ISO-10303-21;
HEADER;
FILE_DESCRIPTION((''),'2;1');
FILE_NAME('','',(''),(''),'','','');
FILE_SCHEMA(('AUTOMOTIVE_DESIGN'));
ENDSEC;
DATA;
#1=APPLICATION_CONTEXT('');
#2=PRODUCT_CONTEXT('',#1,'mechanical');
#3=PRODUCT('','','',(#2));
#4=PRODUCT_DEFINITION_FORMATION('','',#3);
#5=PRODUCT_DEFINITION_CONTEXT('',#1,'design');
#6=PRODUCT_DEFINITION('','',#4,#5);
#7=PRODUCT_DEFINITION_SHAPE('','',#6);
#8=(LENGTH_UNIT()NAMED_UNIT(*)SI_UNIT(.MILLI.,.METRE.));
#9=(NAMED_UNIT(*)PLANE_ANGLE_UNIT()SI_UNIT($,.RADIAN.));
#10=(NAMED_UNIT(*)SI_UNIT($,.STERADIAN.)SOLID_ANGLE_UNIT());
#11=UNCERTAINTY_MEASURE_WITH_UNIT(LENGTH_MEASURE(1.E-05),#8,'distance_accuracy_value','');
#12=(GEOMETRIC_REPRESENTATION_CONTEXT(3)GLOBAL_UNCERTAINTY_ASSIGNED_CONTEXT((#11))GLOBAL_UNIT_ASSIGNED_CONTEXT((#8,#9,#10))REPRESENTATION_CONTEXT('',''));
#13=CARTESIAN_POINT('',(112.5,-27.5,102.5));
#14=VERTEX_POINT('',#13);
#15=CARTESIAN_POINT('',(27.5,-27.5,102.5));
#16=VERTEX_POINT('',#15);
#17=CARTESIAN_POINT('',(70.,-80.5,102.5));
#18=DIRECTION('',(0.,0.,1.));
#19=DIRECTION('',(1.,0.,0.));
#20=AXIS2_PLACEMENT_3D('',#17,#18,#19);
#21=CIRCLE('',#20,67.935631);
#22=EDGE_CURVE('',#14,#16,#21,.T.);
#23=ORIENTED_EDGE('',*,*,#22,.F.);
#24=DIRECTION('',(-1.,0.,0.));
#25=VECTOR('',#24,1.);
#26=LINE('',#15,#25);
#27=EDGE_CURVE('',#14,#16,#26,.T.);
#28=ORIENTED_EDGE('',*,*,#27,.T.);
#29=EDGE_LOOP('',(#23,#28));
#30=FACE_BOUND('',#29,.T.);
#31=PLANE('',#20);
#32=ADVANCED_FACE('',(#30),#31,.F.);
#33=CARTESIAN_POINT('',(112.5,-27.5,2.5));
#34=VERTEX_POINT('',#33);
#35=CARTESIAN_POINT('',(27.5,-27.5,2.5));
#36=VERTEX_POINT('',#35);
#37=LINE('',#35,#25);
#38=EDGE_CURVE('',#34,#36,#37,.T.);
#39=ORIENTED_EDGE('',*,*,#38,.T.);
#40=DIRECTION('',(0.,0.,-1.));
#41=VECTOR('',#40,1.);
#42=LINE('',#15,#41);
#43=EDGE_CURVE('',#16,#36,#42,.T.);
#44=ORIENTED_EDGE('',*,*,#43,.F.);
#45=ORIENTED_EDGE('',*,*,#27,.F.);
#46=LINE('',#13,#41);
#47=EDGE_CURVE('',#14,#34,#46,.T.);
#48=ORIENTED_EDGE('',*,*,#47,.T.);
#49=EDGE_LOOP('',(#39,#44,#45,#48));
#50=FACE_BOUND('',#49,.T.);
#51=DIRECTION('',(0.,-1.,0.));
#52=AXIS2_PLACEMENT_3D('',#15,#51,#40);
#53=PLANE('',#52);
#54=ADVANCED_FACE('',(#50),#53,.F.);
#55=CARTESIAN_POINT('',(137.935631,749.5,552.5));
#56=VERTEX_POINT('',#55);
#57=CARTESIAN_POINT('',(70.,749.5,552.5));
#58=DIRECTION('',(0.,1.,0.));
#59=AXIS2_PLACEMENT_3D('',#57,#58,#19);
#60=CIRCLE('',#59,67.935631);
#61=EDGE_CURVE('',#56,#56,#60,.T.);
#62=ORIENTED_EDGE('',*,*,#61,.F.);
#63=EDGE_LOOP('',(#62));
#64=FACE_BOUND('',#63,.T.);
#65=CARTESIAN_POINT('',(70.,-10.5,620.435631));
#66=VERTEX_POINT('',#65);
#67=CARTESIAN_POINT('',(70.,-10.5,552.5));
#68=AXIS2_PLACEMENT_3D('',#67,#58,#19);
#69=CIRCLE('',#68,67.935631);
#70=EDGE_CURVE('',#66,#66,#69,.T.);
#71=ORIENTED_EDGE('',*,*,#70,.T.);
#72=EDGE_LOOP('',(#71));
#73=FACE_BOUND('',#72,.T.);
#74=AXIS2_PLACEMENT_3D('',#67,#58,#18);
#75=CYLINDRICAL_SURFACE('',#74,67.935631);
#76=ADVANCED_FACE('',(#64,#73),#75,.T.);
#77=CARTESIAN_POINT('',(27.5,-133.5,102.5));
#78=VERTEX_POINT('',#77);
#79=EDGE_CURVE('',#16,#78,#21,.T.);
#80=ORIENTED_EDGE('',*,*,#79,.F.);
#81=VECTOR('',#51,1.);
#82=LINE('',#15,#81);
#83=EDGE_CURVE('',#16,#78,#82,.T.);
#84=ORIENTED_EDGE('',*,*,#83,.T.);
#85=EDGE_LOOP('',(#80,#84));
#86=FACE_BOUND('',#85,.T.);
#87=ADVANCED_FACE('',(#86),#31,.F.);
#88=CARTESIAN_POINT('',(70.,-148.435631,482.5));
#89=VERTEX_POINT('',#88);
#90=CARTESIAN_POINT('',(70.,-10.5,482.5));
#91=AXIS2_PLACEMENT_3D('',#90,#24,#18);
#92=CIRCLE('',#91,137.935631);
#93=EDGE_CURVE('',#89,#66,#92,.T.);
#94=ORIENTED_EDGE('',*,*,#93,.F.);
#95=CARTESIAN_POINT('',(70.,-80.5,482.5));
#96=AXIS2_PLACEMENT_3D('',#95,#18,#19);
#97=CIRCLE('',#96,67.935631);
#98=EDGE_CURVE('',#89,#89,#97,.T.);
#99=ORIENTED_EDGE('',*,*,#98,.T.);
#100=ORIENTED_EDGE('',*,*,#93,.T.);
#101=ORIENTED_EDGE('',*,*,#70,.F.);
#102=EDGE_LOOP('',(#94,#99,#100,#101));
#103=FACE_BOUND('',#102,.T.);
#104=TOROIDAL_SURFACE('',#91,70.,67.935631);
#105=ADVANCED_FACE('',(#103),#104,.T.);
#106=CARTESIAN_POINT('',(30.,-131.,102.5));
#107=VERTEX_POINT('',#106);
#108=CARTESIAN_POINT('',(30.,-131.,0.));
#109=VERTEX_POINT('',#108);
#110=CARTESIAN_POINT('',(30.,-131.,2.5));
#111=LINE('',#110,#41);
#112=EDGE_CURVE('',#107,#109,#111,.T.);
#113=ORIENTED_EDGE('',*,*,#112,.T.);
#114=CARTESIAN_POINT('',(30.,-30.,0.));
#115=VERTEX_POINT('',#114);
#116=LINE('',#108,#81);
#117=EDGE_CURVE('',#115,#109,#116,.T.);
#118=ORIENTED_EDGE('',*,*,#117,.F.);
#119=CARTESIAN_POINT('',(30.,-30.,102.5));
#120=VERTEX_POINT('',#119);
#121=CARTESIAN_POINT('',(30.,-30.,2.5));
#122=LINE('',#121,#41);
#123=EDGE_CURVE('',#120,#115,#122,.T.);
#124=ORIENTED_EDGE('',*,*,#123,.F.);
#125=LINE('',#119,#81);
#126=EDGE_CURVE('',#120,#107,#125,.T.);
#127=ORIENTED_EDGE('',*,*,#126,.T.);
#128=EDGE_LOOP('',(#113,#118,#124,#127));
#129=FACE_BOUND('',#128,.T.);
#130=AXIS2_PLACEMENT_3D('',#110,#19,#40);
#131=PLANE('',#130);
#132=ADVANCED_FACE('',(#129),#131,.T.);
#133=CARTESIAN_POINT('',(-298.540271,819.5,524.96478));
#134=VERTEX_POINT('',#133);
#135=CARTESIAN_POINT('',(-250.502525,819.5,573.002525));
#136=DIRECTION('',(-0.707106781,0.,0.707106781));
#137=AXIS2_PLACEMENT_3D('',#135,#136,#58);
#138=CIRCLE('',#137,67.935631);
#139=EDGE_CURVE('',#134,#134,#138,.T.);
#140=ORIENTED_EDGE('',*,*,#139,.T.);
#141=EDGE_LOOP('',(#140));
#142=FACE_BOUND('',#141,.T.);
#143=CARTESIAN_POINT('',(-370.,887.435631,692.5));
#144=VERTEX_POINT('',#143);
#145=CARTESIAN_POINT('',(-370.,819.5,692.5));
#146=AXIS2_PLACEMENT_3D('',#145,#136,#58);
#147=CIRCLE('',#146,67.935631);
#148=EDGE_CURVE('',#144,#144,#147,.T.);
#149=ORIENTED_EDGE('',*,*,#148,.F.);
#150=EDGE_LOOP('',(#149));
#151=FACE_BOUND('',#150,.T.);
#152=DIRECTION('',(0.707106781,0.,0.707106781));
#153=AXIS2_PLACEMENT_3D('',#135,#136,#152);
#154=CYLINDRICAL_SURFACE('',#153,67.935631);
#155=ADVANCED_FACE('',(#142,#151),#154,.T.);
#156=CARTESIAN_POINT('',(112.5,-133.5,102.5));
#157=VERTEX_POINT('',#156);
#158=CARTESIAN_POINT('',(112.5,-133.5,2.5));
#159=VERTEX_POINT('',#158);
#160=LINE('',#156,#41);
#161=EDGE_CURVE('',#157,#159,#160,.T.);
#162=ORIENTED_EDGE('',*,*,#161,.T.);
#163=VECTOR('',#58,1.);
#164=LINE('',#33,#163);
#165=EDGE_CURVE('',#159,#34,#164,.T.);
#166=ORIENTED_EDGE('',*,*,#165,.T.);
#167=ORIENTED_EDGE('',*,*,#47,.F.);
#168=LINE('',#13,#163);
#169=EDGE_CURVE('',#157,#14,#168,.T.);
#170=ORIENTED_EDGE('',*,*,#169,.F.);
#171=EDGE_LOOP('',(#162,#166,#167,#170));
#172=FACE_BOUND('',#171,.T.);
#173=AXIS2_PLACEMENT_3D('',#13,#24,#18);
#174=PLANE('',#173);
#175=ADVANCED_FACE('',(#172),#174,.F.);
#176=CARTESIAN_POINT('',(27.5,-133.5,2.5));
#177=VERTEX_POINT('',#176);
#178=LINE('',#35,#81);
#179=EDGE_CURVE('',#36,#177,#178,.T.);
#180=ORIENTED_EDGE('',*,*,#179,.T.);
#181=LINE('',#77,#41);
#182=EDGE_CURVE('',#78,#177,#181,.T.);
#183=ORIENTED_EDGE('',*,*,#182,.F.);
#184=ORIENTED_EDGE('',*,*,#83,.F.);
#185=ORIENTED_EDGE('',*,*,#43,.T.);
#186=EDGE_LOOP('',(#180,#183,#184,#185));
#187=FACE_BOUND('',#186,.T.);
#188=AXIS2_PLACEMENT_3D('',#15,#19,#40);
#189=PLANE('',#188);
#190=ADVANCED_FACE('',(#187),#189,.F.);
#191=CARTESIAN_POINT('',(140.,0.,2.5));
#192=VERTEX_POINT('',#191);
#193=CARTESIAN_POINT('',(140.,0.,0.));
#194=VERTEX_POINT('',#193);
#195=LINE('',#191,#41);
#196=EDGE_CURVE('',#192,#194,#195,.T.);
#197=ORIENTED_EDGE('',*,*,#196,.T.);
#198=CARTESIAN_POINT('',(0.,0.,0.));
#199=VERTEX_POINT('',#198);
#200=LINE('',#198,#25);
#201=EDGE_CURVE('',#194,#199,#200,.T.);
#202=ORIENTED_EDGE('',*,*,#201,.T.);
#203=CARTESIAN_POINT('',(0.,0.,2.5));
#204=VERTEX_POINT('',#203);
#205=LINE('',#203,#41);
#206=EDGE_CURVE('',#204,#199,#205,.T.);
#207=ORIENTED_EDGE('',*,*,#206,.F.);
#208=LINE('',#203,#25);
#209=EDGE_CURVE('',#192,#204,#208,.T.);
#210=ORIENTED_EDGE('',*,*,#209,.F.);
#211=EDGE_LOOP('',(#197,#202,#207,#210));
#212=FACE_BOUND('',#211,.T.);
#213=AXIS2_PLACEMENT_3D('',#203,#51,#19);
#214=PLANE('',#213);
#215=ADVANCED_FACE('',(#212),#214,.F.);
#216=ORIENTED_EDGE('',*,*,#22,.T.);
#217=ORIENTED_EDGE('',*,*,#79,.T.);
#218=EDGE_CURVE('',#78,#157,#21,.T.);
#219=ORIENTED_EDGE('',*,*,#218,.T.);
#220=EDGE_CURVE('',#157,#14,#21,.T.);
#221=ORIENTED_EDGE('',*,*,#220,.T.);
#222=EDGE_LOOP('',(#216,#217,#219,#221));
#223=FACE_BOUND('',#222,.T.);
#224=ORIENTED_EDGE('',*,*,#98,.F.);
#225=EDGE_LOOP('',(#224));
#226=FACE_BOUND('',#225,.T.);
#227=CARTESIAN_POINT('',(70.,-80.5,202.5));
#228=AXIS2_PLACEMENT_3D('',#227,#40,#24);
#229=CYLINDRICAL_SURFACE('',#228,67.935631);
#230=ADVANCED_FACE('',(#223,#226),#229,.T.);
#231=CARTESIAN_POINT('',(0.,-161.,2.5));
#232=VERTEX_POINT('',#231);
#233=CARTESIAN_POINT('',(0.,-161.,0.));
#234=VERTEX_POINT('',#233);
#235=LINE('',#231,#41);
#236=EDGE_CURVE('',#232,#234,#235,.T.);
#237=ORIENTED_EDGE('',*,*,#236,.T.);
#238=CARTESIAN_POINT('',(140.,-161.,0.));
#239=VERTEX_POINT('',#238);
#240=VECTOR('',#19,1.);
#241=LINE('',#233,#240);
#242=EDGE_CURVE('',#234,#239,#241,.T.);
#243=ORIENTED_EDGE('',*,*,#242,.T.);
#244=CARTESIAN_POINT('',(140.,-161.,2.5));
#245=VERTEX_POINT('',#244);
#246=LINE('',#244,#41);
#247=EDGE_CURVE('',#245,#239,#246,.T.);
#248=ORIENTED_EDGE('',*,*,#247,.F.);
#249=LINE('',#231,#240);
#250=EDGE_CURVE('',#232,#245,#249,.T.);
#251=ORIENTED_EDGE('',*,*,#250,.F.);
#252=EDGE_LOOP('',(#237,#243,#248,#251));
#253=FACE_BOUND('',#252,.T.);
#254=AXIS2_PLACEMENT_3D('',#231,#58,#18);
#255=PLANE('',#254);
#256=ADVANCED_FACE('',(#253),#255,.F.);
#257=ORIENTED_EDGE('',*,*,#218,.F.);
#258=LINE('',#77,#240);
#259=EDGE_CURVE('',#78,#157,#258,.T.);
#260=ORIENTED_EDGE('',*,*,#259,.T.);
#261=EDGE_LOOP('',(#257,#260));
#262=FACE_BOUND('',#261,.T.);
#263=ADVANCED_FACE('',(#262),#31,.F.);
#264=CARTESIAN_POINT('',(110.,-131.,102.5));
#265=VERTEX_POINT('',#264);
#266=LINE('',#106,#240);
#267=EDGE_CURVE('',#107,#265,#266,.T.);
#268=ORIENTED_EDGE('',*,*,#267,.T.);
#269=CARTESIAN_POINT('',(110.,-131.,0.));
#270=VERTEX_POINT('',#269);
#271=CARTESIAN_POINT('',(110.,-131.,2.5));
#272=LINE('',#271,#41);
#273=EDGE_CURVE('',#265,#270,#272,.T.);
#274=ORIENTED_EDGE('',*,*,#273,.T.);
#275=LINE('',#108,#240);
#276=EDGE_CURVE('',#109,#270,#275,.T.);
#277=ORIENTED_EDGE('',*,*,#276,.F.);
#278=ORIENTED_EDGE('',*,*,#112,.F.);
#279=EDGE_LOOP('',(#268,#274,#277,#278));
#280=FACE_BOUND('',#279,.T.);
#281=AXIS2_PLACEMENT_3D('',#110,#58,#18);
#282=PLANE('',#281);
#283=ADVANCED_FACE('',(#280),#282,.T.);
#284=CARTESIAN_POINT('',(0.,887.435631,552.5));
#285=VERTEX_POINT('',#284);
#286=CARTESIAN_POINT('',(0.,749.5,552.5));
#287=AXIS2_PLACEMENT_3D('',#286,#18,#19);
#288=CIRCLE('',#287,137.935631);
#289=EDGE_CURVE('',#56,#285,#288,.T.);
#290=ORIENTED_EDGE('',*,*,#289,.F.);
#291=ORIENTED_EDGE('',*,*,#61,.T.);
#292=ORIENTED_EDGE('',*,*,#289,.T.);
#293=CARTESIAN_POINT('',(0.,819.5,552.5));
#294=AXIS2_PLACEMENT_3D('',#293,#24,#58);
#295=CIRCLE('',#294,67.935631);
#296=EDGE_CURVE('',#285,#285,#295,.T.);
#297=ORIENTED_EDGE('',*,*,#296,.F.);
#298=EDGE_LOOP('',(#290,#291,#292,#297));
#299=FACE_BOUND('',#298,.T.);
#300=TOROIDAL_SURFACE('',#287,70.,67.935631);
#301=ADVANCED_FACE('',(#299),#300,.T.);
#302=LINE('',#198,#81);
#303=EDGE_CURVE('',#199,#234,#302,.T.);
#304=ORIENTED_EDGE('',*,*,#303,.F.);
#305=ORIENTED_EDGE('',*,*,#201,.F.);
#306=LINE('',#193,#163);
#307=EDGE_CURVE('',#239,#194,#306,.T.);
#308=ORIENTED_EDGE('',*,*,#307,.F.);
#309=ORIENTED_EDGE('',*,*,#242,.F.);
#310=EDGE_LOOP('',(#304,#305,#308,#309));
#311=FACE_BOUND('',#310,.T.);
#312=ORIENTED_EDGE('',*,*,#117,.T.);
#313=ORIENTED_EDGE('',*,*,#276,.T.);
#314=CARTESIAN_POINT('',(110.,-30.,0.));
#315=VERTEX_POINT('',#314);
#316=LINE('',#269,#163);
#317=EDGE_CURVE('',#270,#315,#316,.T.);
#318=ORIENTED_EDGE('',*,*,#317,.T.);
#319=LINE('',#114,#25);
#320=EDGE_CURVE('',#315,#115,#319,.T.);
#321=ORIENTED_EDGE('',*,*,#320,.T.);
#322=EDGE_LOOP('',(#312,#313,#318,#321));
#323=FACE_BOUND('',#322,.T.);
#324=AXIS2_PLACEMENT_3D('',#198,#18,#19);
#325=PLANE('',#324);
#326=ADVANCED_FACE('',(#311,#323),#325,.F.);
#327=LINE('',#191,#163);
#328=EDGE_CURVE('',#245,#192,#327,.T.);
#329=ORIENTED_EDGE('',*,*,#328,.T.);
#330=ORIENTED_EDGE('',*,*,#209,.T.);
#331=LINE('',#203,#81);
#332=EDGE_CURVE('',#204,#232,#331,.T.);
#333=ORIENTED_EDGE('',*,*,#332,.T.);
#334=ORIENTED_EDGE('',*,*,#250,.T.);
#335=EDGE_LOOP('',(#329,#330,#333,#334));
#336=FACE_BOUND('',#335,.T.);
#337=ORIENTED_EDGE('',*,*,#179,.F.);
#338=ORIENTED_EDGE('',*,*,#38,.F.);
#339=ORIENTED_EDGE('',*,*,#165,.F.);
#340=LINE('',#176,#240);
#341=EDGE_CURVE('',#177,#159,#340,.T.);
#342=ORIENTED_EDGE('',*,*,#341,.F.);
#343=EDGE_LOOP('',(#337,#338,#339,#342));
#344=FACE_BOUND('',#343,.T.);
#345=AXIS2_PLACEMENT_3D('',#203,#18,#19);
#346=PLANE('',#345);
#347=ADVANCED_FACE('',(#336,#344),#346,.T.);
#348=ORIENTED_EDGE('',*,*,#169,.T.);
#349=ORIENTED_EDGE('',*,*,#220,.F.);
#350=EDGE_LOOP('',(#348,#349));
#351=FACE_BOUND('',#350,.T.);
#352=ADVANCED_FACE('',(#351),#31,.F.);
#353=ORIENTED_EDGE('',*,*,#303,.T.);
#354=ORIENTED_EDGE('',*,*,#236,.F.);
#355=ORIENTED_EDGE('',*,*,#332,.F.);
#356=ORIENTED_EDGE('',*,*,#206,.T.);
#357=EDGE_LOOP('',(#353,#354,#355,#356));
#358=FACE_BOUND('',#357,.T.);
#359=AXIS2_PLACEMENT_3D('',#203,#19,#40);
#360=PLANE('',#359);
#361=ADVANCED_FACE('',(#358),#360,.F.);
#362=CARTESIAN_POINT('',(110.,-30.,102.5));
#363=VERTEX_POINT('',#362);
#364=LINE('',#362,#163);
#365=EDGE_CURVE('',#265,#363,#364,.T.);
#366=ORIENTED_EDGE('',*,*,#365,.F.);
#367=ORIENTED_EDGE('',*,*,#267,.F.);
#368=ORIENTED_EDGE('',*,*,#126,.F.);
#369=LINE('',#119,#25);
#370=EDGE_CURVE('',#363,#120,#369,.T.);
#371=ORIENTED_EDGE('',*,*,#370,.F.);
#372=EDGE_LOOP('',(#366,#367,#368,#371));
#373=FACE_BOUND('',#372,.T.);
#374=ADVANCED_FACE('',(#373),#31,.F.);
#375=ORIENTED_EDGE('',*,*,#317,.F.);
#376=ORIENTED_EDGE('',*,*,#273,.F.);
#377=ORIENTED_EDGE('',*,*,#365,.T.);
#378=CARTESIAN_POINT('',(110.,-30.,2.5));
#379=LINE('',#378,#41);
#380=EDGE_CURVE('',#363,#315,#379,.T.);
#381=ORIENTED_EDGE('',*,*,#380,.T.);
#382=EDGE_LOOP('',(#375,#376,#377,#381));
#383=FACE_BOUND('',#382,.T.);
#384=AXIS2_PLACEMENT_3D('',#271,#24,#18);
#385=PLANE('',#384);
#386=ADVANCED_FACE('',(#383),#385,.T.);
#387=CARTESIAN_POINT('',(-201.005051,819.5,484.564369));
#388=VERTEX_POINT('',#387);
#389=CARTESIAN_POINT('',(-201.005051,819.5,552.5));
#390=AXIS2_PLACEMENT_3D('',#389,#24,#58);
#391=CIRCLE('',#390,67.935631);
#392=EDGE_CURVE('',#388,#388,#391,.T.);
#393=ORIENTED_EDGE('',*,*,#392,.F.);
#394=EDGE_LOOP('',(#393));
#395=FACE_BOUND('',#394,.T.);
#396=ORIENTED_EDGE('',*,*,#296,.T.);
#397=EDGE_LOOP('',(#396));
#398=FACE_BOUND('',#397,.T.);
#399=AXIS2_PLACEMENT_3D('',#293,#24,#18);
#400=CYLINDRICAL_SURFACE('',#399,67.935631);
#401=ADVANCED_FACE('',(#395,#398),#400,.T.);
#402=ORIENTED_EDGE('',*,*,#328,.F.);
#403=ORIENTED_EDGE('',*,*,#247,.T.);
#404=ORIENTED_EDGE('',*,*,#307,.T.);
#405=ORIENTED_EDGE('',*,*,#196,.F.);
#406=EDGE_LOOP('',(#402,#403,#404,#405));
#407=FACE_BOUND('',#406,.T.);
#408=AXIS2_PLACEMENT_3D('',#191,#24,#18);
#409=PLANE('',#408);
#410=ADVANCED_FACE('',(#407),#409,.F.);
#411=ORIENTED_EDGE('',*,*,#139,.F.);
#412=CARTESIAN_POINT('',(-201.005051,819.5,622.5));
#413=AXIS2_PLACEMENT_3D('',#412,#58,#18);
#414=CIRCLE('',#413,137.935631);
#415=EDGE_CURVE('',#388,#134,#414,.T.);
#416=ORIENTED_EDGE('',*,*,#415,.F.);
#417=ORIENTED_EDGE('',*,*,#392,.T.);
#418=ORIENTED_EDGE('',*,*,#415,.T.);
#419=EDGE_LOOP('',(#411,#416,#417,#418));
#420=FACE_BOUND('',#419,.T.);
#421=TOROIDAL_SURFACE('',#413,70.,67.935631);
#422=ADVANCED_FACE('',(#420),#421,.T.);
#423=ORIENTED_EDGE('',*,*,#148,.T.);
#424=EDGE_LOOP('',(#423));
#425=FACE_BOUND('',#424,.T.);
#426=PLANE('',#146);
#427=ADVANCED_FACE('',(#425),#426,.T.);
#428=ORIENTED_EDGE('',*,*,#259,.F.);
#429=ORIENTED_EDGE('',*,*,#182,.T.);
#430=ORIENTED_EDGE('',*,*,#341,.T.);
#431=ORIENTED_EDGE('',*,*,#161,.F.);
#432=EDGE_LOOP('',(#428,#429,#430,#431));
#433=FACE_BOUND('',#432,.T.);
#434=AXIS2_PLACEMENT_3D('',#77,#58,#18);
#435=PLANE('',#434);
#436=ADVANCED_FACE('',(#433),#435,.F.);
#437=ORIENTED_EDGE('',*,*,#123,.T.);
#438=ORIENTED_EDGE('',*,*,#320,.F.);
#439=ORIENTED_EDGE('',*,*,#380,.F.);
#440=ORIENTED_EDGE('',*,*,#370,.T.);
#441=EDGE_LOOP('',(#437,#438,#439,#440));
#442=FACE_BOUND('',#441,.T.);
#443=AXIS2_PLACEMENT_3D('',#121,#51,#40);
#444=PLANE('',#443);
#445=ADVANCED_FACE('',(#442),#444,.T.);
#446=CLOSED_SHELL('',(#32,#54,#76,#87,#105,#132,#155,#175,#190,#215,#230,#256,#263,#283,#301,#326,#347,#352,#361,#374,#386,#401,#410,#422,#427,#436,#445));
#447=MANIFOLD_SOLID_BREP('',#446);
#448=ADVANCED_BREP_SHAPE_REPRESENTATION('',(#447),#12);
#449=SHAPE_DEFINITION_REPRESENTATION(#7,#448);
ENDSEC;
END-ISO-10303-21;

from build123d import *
from build123d.topology import SkipClean

# Parameters (mm, degrees)
CROQUIS1_W              = 140
CROQUIS1_H              = 161
CROQUIS1_W_2            = 80
CROQUIS1_H_2            = 101
SALIENTE_EXTRUIR1_DEPTH = 2.5
CROQUIS2_W              = 85
CROQUIS2_H              = 106
CROQUIS2_W_2            = 80
CROQUIS2_H_2            = 101
SALIENTE_EXTRUIR2_DEPTH = 100
CROQUIS3_R              = 67.935631299
SALIENTE_EXTRUIR3_DEPTH = 100
CROQUIS4_R              = 67.935631299


with BuildPart() as part:
    # Croquis1 → Saliente-Extruir1 (new body)
    with BuildSketch(Plane.XY):
        with Locations((70, -80.5)):
            Rectangle(CROQUIS1_W, CROQUIS1_H)
        with Locations((70, -80.5)):
            Rectangle(CROQUIS1_W_2, CROQUIS1_H_2, mode=Mode.SUBTRACT)
    extrude(amount=SALIENTE_EXTRUIR1_DEPTH)

    # Croquis2 → Saliente-Extruir2 (add)
    with BuildSketch(Plane.XY.offset(2.5)):
        with Locations((70, -80.5)):
            Rectangle(CROQUIS2_W, CROQUIS2_H)
        with Locations((70, -80.5)):
            Rectangle(CROQUIS2_W_2, CROQUIS2_H_2, mode=Mode.SUBTRACT)
    extrude(amount=SALIENTE_EXTRUIR2_DEPTH)

    # Croquis3 → Saliente-Extruir3 (add)
    with BuildSketch(Plane.XY.offset(102.5)):
        with Locations(Location((70, -80.5, 0), (0, 0, 128.725665443))):
            Circle(CROQUIS3_R)
    extrude(amount=SALIENTE_EXTRUIR3_DEPTH)

    # Barrer1: sweep along a curve in space
    with SkipClean():  # the faces are left unmerged after this step: merging them gives an invalid solid
        with BuildLine() as barrer1_path:
            Line((70, -80.5, 202.5), (70, -80.5, 482.5))
            ThreePointArc((70, -80.5, 482.5), (70, -59.997474683, 531.997474683), (70, -10.5, 552.5))
            Line((70, -10.5, 552.5), (70, 749.5, 552.5))
            ThreePointArc((70, 749.5, 552.5), (49.497474683, 798.997474683, 552.5), (0, 819.5, 552.5))
            Line((0, 819.5, 552.5), (-201.005050634, 819.5, 552.5))
            ThreePointArc((-201.005050634, 819.5, 552.5), (-227.792890899, 819.5, 557.828432724), (-250.502525317, 819.5, 573.002525317))
            Line((-370, 819.5, 692.5), (-250.502525317, 819.5, 573.002525317))
        # Croquis4 → Barrer1 (sweep)
        with BuildSketch(Plane.XY.offset(202.5)):
            with Locations((70, -80.5)):
                Circle(CROQUIS4_R)
        sweep(path=barrer1_path.line)


solid = part.part
